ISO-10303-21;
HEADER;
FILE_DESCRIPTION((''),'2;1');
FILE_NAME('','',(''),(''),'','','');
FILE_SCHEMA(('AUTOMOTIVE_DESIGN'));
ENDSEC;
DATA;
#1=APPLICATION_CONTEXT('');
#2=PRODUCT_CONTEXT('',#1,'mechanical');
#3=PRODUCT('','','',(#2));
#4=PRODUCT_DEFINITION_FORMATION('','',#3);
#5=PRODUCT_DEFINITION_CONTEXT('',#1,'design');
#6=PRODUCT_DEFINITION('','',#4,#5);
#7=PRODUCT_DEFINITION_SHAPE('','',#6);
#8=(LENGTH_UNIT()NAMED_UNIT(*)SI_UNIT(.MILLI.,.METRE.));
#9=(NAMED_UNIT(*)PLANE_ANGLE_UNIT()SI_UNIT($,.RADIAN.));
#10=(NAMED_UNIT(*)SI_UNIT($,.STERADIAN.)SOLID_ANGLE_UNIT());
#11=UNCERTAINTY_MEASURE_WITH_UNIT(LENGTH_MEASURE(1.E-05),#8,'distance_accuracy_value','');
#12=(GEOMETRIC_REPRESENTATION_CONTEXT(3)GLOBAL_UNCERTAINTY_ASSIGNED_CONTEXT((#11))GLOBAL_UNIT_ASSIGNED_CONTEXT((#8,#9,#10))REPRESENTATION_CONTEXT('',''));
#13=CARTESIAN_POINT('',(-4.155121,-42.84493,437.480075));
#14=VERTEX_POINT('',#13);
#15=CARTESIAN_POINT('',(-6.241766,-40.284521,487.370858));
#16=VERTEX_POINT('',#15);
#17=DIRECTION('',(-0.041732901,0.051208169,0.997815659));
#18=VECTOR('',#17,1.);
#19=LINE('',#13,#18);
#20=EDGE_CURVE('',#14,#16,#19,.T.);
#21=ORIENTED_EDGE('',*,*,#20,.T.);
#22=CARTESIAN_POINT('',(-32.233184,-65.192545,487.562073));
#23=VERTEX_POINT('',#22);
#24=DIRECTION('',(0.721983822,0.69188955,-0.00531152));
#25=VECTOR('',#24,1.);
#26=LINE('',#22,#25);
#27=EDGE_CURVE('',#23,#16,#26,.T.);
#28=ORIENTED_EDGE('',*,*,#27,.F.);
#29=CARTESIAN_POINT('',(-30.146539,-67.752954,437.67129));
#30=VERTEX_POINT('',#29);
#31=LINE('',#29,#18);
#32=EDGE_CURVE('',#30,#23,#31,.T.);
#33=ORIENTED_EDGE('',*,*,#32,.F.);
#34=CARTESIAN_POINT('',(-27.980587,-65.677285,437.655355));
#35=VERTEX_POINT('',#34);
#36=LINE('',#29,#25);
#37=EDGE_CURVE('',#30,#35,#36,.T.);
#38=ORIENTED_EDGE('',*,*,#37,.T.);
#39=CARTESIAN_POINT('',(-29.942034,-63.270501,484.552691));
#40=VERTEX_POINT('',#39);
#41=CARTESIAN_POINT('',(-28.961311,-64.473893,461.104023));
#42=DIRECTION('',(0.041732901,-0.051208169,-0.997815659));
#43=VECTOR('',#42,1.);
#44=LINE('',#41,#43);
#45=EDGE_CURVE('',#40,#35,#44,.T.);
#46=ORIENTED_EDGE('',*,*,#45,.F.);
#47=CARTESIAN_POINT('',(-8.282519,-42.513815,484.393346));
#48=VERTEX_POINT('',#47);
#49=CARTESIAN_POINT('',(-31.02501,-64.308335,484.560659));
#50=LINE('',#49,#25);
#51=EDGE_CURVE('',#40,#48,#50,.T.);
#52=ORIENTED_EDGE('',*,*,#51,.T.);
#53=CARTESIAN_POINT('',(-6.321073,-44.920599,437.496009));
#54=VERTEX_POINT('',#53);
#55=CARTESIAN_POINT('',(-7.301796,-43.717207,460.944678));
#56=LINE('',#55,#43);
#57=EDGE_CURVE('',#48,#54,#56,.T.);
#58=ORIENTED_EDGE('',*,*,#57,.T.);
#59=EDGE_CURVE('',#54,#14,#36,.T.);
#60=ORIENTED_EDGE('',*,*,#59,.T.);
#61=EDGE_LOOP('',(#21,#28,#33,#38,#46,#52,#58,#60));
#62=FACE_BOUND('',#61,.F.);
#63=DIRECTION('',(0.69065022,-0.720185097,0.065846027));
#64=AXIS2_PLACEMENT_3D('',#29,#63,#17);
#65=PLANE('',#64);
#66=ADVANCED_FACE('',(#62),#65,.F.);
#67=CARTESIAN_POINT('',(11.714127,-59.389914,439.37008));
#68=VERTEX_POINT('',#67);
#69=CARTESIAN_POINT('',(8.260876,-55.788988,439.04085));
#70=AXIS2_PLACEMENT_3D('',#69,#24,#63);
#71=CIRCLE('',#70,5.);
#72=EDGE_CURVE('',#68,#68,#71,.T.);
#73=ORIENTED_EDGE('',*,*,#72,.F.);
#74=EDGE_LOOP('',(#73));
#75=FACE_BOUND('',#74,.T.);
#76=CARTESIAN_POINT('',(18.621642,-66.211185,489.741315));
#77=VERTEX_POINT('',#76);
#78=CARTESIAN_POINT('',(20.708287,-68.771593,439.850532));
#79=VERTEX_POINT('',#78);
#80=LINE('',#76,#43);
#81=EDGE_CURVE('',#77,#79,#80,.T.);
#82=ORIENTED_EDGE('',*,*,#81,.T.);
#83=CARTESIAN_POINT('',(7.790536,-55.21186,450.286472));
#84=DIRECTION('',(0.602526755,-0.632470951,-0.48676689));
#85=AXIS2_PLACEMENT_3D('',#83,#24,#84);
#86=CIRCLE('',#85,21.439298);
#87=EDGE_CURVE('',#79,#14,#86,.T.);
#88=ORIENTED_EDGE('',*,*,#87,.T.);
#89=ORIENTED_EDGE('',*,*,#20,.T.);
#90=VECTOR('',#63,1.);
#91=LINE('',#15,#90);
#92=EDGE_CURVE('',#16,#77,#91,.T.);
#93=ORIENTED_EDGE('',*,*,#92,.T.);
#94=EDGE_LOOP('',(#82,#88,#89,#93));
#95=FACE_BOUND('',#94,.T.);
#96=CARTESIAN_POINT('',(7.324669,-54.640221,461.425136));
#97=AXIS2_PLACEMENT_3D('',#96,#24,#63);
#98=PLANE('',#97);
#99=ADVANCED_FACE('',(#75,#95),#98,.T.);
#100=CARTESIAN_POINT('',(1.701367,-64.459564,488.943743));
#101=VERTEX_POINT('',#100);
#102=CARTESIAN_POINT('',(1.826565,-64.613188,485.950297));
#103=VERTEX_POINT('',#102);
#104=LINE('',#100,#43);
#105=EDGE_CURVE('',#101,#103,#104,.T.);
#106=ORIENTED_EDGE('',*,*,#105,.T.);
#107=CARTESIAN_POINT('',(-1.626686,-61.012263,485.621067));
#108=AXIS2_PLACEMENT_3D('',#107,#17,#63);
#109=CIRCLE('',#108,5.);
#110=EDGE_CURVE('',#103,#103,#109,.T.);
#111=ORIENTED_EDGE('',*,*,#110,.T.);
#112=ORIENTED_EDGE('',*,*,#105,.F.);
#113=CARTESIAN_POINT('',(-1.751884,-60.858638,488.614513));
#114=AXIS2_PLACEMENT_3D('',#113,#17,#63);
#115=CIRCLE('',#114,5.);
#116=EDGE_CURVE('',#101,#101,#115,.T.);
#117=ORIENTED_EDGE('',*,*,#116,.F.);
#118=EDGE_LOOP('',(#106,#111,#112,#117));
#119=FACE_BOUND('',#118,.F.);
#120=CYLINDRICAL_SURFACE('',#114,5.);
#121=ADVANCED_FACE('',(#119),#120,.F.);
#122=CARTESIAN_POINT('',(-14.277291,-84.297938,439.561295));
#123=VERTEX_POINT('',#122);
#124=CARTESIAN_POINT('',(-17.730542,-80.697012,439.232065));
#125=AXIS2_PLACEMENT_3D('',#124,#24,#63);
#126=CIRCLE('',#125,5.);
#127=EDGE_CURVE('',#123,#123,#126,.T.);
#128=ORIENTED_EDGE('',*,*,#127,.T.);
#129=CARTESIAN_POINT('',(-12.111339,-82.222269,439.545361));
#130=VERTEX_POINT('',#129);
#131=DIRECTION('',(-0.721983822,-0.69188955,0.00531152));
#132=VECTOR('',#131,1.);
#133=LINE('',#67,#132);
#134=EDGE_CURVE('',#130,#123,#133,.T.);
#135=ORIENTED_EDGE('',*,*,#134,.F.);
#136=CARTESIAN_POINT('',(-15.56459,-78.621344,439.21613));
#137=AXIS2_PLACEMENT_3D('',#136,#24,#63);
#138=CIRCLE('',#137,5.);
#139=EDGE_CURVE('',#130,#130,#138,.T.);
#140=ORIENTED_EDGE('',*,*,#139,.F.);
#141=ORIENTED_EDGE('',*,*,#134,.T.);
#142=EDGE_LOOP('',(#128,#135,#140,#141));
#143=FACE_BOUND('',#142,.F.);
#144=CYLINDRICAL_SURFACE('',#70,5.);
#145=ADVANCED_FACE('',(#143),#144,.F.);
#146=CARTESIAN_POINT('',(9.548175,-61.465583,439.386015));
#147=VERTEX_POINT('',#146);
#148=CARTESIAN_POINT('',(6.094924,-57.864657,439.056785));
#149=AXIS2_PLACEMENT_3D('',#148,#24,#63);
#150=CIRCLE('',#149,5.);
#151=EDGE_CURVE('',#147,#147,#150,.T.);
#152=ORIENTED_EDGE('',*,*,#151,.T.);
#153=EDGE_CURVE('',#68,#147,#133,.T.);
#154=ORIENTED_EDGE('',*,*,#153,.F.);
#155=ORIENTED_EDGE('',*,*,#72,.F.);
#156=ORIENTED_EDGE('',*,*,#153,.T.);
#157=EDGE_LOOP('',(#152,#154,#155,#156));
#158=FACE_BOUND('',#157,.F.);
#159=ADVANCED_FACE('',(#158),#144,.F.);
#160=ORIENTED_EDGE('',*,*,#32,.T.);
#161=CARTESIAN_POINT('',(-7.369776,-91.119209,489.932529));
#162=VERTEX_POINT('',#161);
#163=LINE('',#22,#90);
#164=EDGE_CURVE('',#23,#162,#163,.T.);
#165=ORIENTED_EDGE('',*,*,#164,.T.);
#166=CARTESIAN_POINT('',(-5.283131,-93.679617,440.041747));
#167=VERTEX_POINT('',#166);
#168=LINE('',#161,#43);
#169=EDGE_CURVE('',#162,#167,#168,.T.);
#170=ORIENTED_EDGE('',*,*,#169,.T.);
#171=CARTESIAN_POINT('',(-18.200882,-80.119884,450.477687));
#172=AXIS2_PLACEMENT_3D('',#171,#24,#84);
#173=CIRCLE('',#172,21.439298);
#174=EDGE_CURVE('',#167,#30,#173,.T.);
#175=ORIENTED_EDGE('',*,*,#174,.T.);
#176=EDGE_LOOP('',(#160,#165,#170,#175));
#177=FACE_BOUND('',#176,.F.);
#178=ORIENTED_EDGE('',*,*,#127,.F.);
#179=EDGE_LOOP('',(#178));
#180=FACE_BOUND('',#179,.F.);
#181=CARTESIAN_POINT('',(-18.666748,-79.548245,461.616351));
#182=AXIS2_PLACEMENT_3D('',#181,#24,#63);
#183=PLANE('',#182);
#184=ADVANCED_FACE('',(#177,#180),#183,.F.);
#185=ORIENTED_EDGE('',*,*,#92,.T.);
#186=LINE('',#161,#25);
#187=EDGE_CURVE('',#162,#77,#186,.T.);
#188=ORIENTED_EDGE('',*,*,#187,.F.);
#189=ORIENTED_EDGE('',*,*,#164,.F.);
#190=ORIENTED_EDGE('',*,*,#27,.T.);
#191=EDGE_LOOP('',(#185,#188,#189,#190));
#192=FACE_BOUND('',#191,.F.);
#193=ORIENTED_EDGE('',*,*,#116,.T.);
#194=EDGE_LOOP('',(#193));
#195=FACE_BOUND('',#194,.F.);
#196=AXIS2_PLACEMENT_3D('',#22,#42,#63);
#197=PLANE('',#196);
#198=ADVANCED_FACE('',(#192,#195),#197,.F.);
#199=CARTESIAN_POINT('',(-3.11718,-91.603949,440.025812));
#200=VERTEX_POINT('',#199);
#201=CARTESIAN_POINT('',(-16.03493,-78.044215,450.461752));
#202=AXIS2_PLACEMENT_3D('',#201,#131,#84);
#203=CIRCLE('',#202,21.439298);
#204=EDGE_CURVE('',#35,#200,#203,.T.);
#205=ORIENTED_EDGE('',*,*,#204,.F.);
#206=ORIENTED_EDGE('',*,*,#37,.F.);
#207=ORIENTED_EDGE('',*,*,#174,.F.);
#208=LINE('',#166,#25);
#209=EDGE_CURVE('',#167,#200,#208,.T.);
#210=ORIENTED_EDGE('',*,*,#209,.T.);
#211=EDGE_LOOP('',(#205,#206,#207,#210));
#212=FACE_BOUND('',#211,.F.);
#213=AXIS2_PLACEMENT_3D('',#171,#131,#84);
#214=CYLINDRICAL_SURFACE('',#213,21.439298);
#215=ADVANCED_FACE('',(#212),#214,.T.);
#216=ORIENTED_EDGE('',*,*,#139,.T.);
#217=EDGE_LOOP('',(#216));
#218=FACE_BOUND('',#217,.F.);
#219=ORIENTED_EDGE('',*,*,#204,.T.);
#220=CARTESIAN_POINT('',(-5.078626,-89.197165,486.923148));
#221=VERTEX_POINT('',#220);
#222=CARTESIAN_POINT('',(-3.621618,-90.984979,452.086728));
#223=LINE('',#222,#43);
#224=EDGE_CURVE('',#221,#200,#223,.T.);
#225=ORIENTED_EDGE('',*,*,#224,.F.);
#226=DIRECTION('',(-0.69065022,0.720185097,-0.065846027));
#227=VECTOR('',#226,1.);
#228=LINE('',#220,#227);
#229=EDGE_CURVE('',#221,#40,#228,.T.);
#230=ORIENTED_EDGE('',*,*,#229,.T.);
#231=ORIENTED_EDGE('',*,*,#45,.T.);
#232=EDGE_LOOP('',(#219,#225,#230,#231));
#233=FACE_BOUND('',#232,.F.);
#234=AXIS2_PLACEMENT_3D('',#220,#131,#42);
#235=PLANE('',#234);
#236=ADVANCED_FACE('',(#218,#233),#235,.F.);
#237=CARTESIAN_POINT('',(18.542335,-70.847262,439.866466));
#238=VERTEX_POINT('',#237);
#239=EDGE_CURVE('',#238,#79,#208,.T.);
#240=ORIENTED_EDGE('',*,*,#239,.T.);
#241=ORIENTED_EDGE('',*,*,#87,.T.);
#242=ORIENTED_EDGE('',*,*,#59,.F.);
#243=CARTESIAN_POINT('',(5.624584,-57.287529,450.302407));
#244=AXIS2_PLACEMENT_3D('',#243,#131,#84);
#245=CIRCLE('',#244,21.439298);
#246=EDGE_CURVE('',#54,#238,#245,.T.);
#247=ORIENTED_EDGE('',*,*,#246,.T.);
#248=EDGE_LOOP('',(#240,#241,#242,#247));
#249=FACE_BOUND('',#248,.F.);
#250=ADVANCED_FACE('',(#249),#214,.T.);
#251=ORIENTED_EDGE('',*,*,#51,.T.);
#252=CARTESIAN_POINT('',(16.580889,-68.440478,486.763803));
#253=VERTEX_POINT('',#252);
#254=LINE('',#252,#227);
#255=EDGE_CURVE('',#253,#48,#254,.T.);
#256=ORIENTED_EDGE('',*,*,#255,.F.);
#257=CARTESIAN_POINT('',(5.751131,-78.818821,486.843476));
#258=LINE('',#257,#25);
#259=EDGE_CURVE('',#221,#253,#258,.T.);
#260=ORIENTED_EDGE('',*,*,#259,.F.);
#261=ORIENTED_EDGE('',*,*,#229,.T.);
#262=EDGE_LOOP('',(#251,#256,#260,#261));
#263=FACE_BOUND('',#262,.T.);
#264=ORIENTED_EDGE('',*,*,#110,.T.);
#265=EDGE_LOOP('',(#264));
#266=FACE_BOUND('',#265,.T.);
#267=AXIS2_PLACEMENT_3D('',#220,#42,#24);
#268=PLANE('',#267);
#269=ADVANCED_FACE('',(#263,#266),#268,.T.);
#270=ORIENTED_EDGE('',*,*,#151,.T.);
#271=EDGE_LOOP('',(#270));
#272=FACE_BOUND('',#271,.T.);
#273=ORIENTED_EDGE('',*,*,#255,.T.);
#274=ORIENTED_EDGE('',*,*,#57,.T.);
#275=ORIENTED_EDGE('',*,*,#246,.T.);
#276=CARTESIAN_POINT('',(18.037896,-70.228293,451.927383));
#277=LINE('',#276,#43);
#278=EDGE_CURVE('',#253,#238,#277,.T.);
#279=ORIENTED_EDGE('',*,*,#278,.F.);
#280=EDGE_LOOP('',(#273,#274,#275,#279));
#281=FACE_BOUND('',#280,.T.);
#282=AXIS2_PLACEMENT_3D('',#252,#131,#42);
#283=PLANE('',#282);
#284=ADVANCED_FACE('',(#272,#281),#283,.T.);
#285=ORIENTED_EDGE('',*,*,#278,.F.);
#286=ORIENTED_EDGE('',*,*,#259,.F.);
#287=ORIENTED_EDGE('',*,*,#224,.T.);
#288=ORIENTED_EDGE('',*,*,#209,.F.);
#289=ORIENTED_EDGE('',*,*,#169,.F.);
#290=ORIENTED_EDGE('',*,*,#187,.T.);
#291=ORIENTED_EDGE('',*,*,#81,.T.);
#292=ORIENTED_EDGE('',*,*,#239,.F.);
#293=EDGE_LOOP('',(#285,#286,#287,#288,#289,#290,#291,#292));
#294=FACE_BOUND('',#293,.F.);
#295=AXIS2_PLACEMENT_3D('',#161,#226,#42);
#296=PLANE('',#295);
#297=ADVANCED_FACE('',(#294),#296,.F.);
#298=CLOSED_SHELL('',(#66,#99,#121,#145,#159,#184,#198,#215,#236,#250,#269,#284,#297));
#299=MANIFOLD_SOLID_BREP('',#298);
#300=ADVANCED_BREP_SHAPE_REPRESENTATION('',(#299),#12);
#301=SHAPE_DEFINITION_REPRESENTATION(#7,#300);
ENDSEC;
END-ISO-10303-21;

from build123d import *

# Parameters (mm, degrees)
PAD002_DEPTH            = 36
SKETCH006_W             = 69.825363
SKETCH006_H             = 30
POCKET002_DEPTH         = 36.001
SKETCH007_R             = 5
POCKET003_DEPTH         = 36.001
SKETCH008_R             = 5
POCKET004_DEPTH         = 5
BODY002_ROLL_ANGLE      = -90.304991
BODY002_PITCH_ANGLE     = -3.775431
BODY002_PLACEMENT_ANGLE = -46.199273


with BuildPart() as part:
    # Sketch005 → Pad002 (new body)
    with BuildSketch(Plane.XY):
        with BuildLine():
            Line((-18, 0), (18, 0))
            Line((18, 0), (18, 50))
            ThreePointArc((18, 50), (0, 59.792689), (-18, 50))
            Line((-18, 50), (-18, 0))
        make_face()
    extrude(amount=PAD002_DEPTH)

    # Sketch006 (on Face2 of Pad002) → Pocket002 (cut, through all)
    with BuildSketch(Plane.YZ.offset(18)):
        with Locations((37.912681, 18)):
            Rectangle(SKETCH006_W, SKETCH006_H)
    extrude(amount=-POCKET002_DEPTH, mode=Mode.SUBTRACT)

    # Sketch007 (on Face5 of Pocket002) → Pocket003 (cut, through all)
    with BuildSketch(Plane.XY.offset(36)):
        with Locations((0, 49.623631)):
            Circle(SKETCH007_R)
    extrude(amount=-POCKET003_DEPTH, mode=Mode.SUBTRACT)

    # Sketch008 (on Face1 of Pocket003) → Pocket004 (cut)
    with BuildSketch(Plane.XZ):
        with Locations((0, 25)):
            Circle(SKETCH008_R)
    extrude(amount=-POCKET004_DEPTH, mode=Mode.SUBTRACT)


with BuildPart() as part_1:
    # Body002 roll: moved
    add(part.part.rotate(Axis((0, 0, 0), (1, 0, 0)), BODY002_ROLL_ANGLE))


with BuildPart() as part_2:
    # Body002 pitch: moved
    add(part_1.part.rotate(Axis((0, 0, 0), (0, 1, 0)), BODY002_PITCH_ANGLE))


with BuildPart() as part_3:
    # Body002 placement: moved
    add(part_2.part.moved(Location((-19.80148, -78.155877, 488.747301))).rotate(Axis((-19.80148, -78.155877, 488.747301), (0, 0, 1)), BODY002_PLACEMENT_ANGLE))


solid = part_3.part
